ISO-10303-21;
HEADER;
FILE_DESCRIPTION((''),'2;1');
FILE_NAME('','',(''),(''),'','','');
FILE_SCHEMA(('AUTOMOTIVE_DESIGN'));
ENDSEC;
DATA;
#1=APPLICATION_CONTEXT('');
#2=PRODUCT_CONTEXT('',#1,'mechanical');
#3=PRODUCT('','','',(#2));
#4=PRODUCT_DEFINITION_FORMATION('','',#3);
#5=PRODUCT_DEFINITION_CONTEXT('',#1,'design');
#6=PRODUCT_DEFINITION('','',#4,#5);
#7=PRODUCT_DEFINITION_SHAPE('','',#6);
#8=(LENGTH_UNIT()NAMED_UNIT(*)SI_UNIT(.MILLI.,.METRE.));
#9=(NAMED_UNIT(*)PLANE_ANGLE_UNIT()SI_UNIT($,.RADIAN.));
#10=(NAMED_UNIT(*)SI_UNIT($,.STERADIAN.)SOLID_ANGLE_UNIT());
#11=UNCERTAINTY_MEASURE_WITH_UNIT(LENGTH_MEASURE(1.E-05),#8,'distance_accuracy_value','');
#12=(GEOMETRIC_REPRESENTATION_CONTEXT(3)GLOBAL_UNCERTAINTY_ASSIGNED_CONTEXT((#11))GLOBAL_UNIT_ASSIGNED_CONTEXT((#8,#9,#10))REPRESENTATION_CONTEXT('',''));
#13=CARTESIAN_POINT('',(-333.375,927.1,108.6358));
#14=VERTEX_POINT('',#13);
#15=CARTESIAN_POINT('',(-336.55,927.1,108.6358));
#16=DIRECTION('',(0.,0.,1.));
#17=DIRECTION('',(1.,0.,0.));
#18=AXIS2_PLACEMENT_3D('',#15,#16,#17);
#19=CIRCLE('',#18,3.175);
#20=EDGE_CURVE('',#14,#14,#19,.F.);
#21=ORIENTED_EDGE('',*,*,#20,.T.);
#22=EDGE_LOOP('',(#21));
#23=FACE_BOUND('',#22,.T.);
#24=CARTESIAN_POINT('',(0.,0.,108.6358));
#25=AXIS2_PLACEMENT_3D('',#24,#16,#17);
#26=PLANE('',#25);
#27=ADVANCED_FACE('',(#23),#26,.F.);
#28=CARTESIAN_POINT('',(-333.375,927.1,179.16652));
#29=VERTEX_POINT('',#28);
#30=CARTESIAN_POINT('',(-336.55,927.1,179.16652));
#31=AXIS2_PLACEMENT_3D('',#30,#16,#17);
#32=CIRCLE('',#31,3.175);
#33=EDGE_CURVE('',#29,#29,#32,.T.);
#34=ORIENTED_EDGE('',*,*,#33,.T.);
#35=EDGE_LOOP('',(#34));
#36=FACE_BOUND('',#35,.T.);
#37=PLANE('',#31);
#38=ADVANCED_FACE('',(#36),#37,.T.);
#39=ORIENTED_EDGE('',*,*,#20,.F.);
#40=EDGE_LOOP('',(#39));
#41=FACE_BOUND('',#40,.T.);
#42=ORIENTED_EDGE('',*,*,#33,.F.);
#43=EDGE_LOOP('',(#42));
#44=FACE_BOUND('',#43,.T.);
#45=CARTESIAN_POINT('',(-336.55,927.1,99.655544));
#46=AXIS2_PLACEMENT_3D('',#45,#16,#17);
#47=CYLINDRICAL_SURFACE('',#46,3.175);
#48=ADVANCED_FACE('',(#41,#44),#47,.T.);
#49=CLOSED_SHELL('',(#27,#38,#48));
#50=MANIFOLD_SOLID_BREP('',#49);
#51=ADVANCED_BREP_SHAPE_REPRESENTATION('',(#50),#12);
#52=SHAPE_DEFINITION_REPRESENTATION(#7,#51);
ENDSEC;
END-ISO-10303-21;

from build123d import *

# Parameters (mm, degrees)
SKETCH2_R           = 3.175
BOSS_EXTRUDE1_DEPTH = 70.53072


with BuildPart() as part:
    # Sketch2 → Boss-Extrude1 (new body)
    with BuildSketch(Plane.XY.offset(179.16652)):
        with Locations((-336.55, 927.1)):
            Circle(SKETCH2_R)
    extrude(amount=-BOSS_EXTRUDE1_DEPTH)


solid = part.part
